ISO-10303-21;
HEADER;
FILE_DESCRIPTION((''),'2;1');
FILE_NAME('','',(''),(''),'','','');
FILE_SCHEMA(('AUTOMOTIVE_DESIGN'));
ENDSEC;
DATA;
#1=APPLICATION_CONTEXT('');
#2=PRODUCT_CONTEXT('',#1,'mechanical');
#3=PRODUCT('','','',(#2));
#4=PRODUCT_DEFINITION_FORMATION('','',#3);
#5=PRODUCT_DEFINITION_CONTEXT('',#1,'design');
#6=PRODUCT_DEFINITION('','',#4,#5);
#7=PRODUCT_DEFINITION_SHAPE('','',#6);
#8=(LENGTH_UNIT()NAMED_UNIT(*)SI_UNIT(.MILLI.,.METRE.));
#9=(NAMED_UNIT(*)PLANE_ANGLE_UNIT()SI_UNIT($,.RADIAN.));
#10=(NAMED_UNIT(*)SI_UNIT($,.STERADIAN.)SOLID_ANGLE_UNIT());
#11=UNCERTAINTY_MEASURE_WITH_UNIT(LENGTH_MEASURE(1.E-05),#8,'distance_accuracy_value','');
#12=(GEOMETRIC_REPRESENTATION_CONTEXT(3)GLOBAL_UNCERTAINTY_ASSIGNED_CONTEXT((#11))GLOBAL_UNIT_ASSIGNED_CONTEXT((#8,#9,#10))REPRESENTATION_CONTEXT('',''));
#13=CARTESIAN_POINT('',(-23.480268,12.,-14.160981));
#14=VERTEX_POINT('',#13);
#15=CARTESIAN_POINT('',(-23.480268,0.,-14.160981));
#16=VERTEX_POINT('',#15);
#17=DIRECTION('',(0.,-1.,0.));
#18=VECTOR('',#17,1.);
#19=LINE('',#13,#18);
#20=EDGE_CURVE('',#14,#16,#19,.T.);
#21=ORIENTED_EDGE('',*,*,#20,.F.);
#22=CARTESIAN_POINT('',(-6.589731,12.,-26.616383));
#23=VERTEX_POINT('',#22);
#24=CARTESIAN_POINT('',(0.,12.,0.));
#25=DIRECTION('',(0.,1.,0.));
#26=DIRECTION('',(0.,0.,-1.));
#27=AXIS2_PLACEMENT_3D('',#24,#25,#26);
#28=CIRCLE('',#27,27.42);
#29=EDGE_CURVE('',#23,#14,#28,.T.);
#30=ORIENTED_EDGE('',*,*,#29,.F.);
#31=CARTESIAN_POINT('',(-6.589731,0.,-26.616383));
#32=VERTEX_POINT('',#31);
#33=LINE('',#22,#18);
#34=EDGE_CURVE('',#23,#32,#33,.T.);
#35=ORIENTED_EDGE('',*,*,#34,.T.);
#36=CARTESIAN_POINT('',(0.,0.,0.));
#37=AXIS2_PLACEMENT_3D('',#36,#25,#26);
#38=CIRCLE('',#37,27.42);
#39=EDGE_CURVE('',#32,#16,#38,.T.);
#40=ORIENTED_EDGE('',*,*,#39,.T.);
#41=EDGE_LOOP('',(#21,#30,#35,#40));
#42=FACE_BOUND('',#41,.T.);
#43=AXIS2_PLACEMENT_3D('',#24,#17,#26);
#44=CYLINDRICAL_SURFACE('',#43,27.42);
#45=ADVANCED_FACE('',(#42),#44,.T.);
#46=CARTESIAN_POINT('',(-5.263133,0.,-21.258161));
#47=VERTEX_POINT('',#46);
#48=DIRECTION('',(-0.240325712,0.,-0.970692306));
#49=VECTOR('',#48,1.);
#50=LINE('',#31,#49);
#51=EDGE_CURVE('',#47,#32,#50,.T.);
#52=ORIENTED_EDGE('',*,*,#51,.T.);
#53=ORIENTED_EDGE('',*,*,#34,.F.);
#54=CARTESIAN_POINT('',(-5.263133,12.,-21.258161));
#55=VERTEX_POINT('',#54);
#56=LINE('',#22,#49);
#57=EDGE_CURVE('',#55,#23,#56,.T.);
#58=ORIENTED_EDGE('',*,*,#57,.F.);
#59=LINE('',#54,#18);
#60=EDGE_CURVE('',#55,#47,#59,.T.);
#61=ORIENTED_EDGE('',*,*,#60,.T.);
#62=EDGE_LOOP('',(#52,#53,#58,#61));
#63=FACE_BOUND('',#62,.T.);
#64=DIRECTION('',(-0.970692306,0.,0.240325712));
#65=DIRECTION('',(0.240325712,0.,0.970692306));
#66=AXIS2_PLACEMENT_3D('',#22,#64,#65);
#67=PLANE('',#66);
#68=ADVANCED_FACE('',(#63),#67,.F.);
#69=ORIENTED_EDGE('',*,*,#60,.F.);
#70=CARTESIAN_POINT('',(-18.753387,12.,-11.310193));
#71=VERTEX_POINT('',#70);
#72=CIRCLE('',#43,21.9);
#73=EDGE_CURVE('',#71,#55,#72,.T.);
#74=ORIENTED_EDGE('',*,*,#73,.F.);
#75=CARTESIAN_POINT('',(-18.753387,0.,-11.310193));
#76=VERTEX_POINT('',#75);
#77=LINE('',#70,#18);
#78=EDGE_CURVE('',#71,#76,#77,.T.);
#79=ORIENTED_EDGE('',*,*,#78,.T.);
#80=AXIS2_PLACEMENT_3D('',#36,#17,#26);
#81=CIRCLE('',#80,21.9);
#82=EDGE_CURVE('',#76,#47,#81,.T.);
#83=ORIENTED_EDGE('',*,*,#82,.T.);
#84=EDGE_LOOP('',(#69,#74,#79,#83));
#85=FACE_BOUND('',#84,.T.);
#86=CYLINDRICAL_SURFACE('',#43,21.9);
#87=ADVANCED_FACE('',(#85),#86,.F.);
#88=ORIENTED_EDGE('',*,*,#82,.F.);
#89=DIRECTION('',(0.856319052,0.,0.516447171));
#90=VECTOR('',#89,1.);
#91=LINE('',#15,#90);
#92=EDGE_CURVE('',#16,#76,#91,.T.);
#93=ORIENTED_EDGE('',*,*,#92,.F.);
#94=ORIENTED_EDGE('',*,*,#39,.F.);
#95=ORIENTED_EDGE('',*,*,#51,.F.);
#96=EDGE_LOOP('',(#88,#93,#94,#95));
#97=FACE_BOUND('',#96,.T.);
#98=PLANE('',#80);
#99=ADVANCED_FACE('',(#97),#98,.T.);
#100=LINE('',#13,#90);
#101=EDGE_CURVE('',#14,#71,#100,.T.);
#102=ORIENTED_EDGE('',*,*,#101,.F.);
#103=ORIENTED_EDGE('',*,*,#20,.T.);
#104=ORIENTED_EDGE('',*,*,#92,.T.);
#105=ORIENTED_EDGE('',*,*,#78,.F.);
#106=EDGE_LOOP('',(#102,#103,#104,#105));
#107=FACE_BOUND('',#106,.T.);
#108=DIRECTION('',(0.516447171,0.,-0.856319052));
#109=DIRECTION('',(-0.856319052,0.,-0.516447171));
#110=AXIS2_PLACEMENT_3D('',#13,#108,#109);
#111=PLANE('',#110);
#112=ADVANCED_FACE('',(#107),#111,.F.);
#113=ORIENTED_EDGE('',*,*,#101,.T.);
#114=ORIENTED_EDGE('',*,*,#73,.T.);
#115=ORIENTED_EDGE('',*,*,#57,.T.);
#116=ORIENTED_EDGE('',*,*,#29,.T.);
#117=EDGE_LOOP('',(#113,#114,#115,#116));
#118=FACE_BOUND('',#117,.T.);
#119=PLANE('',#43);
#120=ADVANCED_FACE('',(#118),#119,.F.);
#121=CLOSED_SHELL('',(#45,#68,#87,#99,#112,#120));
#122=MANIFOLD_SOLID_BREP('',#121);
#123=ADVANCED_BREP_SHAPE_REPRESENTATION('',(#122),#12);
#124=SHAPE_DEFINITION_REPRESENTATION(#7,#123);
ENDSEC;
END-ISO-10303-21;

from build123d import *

# Parameters (mm, degrees)
BOSS_EXTRUDE1_DEPTH = 12


with BuildPart() as part:
    # Sketch1 → Boss-Extrude1 (new body)
    with BuildSketch(Plane(origin=(0, 0, 0), x_dir=(1, 0, 0), z_dir=(0, 1, 0))):
        with BuildLine():
            Line((-23.480268416, 14.160981432), (-18.753387247, 11.310193048))
            ThreePointArc((-18.753387247, 11.310193048), (-12.997647146, 17.625866466), (-5.263133092, 21.258161493))
            Line((-5.263133092, 21.258161493), (-6.589731022, 26.61638302))
            ThreePointArc((-6.589731022, 26.61638302), (-16.273766427, 22.068550616), (-23.480268416, 14.160981432))
        make_face()
    extrude(amount=BOSS_EXTRUDE1_DEPTH)


solid = part.part
